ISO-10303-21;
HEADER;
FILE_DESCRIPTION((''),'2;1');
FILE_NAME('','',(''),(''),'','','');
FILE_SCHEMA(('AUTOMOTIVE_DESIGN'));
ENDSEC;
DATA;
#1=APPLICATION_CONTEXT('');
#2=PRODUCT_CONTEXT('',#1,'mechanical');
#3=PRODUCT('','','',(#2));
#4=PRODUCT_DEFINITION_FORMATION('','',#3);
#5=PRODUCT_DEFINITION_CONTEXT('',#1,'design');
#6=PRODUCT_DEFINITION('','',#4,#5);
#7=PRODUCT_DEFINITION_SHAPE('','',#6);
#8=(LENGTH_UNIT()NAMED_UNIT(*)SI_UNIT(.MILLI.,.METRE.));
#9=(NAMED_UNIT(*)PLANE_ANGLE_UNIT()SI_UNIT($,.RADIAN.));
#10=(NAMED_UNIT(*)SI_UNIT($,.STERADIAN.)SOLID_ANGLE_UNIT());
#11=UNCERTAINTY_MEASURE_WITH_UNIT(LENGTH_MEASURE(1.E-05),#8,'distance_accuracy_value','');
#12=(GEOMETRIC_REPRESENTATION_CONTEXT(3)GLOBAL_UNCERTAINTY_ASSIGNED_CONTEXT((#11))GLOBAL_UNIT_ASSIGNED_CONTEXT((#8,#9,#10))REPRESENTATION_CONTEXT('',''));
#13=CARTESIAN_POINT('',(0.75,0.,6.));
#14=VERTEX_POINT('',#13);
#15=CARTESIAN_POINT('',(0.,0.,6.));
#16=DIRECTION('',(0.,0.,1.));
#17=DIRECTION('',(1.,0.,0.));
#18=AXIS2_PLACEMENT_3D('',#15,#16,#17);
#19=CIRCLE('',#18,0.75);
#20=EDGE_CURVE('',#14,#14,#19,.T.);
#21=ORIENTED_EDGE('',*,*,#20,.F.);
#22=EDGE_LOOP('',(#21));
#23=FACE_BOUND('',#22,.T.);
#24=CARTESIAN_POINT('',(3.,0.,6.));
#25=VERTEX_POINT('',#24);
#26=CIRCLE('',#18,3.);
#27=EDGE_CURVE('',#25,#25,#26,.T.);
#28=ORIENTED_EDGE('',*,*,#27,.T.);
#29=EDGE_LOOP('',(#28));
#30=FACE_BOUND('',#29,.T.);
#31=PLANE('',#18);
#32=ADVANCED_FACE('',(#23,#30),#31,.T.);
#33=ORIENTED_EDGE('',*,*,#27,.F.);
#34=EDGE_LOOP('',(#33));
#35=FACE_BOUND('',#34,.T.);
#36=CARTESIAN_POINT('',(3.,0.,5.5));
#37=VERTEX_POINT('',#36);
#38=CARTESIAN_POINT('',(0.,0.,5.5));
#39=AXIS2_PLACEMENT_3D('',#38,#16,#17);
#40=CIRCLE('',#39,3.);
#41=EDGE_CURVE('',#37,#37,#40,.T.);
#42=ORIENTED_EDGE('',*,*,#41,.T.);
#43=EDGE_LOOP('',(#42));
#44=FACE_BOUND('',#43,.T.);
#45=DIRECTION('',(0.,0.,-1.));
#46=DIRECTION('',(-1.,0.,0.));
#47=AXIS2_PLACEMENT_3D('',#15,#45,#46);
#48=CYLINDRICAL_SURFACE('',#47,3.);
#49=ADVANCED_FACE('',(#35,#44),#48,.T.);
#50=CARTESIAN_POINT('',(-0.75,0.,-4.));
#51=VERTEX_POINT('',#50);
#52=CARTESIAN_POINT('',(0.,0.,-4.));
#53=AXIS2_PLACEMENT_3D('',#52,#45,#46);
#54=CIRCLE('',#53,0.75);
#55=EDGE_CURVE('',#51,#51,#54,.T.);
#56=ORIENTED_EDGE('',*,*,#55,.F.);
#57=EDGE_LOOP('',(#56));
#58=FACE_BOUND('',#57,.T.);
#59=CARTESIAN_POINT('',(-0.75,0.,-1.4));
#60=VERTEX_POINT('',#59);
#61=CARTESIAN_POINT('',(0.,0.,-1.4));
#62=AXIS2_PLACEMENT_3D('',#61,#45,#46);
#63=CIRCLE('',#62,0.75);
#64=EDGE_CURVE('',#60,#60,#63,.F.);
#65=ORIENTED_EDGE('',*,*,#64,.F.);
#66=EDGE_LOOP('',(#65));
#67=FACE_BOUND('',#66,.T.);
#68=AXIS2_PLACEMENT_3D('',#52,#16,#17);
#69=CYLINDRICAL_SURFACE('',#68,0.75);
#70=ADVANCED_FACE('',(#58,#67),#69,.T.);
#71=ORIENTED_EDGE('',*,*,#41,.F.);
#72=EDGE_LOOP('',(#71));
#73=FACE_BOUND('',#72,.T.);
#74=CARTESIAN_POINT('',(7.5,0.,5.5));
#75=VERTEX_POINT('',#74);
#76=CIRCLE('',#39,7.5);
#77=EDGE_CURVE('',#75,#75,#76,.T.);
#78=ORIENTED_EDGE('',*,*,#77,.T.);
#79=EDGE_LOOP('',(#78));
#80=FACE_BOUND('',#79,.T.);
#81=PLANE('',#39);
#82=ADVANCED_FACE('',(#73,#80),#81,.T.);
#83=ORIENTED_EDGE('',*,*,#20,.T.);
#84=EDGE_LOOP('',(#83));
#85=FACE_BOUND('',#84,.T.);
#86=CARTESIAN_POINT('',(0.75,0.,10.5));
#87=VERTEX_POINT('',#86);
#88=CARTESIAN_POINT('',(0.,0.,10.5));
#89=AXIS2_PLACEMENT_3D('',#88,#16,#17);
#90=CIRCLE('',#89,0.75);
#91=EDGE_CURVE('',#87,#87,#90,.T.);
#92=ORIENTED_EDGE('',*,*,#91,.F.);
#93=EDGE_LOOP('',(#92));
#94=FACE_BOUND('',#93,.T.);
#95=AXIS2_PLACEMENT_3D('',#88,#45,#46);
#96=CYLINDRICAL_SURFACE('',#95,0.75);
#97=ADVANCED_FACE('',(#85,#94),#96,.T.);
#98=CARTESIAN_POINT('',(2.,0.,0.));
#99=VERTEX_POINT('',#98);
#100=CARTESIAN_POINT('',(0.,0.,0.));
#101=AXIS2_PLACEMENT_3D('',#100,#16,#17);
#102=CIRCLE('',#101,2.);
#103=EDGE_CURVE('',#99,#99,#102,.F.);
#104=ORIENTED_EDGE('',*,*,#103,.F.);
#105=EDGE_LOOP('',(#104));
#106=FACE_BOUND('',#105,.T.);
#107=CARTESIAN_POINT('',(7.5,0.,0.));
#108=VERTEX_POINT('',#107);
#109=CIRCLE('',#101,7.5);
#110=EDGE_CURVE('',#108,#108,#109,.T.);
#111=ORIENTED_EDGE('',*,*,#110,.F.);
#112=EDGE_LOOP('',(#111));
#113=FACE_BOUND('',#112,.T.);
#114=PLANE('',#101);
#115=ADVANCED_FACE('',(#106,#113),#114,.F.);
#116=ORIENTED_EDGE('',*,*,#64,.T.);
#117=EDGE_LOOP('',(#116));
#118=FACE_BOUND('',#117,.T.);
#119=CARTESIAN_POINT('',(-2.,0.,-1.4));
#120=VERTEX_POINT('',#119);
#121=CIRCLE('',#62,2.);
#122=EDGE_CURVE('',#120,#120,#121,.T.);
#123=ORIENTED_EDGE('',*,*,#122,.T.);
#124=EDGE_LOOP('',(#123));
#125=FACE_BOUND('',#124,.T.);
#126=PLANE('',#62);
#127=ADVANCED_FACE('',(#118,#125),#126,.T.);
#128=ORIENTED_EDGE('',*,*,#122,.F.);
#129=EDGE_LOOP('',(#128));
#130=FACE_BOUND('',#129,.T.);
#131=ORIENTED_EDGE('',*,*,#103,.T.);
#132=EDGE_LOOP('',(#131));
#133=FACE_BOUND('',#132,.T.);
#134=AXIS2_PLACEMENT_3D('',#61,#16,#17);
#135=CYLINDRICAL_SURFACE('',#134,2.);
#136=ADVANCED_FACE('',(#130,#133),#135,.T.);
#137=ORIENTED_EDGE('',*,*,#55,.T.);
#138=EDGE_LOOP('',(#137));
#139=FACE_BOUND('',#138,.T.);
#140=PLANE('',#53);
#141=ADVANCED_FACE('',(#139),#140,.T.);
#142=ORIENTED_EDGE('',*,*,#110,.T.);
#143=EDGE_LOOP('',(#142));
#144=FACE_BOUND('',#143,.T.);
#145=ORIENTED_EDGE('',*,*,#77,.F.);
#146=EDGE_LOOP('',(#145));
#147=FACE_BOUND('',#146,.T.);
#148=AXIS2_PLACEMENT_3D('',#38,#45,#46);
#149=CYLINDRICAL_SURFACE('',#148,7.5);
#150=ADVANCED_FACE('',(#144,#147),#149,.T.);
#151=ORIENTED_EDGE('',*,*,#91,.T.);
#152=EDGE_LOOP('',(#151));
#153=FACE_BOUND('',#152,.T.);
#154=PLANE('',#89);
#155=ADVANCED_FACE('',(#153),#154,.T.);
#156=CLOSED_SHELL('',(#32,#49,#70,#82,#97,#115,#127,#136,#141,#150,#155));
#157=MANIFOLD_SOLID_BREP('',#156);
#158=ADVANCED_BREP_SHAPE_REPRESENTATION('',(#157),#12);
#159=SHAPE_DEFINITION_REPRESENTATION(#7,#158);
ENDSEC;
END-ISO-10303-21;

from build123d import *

# Parameters (mm, degrees)
ESQUISSE1_R        = 7.5
BOSS_EXTRU_1_DEPTH = 5.5
ESQUISSE2_R        = 3
BOSS_EXTRU_2_DEPTH = 0.5
ESQUISSE3_R        = 0.75
BOSS_EXTRU_3_DEPTH = 4.5
ESQUISSE4_R        = 2
BOSS_EXTRU_4_DEPTH = 1.4
BOSS_EXTRU_5_START = 4
ESQUISSE5_R        = 0.75
BOSS_EXTRU_5_DEPTH = 4


with BuildPart() as part:
    # Esquisse1 → Boss.-Extru.1 (new body)
    with BuildSketch(Plane.XY):
        Circle(ESQUISSE1_R)
    extrude(amount=BOSS_EXTRU_1_DEPTH)

    # Esquisse2 → Boss.-Extru.2 (add)
    with BuildSketch(Plane.XY.offset(5.5)):
        Circle(ESQUISSE2_R)
    extrude(amount=BOSS_EXTRU_2_DEPTH)

    # Esquisse3 → Boss.-Extru.3 (add)
    with BuildSketch(Plane.XY.offset(6)):
        Circle(ESQUISSE3_R)
    extrude(amount=BOSS_EXTRU_3_DEPTH)

    # Esquisse4 → Boss.-Extru.4 (add)
    with BuildSketch(Plane(origin=(0, 0, 0), x_dir=(-1, 0, 0), z_dir=(0, 0, -1))):
        with Locations(Location((0, 0, 0), (0, 0, 180))):
            Circle(ESQUISSE4_R)
    extrude(amount=BOSS_EXTRU_4_DEPTH)

    # Esquisse5 → Boss.-Extru.5 (add)
    with BuildSketch(Plane(origin=(0, 0, 0), x_dir=(-1, 0, 0), z_dir=(0, 0, -1)).offset(BOSS_EXTRU_5_START)):
        with Locations(Location((0, 0, 0), (0, 0, 180))):
            Circle(ESQUISSE5_R)
    extrude(amount=-BOSS_EXTRU_5_DEPTH)


solid = part.part
